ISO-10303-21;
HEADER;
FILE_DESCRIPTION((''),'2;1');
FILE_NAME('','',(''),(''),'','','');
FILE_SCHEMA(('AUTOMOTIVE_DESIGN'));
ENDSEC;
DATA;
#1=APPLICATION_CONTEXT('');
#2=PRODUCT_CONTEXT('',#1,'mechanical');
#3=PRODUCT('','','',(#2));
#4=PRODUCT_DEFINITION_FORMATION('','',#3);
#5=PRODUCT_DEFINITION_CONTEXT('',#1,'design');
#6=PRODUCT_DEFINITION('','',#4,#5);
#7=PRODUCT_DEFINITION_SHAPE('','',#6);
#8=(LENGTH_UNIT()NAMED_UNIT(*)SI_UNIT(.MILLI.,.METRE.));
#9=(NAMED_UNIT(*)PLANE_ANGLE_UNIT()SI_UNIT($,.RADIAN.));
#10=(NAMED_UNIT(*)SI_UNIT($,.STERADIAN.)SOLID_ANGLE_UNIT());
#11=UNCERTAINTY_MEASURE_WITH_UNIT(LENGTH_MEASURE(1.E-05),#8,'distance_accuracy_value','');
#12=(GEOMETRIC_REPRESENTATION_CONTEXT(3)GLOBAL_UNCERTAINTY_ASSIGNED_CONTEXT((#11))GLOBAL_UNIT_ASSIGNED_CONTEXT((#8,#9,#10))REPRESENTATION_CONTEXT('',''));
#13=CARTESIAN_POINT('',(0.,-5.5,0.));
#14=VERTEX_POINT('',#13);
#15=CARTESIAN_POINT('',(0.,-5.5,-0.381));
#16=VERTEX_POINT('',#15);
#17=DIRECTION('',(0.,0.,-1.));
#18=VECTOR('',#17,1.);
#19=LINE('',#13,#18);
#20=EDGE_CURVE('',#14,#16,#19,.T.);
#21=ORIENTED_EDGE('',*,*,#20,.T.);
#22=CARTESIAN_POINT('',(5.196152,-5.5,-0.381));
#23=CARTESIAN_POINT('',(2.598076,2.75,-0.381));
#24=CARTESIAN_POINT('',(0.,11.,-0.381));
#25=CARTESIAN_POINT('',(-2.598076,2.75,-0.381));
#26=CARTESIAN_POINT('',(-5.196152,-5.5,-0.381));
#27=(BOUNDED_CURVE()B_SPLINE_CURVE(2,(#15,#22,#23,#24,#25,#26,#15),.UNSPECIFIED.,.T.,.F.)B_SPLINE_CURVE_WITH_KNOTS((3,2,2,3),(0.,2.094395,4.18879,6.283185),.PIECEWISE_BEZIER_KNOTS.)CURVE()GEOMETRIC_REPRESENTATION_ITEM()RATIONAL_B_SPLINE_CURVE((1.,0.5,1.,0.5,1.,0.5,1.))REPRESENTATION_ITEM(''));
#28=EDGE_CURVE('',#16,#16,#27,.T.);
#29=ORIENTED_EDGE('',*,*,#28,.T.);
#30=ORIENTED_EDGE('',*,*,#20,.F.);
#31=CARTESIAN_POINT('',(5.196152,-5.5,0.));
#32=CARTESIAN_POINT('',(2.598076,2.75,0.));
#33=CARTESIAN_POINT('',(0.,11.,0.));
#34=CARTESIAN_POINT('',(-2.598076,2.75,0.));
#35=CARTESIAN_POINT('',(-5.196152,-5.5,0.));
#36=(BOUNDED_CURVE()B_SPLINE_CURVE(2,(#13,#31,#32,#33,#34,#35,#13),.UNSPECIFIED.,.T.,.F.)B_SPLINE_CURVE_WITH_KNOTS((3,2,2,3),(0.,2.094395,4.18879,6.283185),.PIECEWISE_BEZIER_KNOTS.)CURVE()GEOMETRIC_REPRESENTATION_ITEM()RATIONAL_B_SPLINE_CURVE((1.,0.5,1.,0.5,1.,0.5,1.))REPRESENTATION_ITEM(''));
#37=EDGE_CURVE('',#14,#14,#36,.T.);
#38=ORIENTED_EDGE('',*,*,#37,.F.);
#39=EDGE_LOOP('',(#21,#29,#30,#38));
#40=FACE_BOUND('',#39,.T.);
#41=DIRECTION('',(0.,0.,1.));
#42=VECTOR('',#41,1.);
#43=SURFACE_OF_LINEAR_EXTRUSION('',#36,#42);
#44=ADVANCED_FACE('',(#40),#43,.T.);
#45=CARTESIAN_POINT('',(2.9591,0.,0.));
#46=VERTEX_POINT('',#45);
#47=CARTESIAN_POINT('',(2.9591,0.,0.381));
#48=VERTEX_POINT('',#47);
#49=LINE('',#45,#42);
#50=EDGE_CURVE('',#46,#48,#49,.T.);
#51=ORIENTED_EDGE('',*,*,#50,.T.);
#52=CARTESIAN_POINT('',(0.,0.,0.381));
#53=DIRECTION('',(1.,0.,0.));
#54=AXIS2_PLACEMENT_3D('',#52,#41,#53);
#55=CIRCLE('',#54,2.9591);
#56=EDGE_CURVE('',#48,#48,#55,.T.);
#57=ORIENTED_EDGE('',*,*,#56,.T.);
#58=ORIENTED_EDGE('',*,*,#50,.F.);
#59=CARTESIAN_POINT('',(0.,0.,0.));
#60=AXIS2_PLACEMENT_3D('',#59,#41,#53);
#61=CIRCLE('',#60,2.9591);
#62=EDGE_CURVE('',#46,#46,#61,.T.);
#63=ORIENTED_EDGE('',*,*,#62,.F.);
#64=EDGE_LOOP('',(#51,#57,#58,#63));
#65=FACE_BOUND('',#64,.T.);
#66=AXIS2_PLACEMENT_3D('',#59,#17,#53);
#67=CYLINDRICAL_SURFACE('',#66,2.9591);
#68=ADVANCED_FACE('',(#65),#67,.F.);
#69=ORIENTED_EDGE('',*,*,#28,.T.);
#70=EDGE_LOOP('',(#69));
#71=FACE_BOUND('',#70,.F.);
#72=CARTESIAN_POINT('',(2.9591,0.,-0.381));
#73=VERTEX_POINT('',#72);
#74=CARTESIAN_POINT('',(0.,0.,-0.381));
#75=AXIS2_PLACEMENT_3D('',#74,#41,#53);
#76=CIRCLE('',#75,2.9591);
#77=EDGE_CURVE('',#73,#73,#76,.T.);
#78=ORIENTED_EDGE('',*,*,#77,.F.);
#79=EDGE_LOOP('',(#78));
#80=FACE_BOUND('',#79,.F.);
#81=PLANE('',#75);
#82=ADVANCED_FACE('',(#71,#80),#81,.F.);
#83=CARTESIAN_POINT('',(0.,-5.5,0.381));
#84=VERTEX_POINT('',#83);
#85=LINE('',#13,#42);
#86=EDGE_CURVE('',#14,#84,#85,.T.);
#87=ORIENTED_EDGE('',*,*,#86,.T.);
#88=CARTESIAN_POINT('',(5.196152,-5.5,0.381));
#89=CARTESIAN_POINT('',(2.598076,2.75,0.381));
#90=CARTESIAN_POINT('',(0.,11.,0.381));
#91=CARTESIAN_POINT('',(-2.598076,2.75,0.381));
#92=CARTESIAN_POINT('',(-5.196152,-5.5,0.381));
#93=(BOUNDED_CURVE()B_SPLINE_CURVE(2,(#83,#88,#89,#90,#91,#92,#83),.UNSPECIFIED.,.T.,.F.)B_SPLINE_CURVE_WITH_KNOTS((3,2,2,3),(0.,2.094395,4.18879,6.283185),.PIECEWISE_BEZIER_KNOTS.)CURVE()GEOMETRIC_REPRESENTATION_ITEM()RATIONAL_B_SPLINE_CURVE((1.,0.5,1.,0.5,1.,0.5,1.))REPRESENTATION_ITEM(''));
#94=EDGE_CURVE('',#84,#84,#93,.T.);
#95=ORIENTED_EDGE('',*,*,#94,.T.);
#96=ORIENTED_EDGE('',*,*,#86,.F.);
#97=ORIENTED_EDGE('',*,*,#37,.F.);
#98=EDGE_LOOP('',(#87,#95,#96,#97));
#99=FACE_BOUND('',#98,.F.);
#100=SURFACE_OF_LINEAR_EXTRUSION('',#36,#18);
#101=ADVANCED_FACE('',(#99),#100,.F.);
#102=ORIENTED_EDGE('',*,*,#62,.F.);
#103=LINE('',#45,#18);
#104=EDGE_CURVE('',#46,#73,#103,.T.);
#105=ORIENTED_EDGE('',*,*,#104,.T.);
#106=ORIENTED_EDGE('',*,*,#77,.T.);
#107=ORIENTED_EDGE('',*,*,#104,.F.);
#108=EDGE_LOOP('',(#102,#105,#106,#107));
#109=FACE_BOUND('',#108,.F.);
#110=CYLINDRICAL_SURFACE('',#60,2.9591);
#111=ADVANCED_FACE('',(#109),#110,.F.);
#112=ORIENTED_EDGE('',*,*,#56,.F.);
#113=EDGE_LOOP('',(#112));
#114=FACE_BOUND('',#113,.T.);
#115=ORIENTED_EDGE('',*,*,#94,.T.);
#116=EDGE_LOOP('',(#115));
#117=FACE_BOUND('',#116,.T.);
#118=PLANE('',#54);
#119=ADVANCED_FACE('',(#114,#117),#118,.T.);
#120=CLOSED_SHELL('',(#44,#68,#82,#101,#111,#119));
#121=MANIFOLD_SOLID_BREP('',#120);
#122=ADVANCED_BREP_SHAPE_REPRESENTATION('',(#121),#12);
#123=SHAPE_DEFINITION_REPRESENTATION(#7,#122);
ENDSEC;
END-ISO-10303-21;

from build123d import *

# Parameters (mm, degrees)
F0_R     = 2.9591
F1_DEPTH = 0.381


with BuildPart() as f1:
    # F0 (on Top) → F1 (new body, symmetric)
    with BuildSketch(Plane.XY):
        with BuildLine():
            add(Edge.make_bspline(
                [(0, -5.5), (5.196152, -5.5), (2.598076, 2.75), (0, 11), (-2.598076, 2.75), (-5.196152, -5.5), (0, -5.5)],
                knots=[0, 0, 0, 2.094395, 2.094395, 4.18879, 4.18879, 6.283185, 6.283185, 6.283185], degree=2, weights=[1, 0.5, 1, 0.5, 1, 0.5, 1]))
        make_face()
        Circle(F0_R, mode=Mode.SUBTRACT)
    extrude(amount=F1_DEPTH, both=True)


solid = f1.part
